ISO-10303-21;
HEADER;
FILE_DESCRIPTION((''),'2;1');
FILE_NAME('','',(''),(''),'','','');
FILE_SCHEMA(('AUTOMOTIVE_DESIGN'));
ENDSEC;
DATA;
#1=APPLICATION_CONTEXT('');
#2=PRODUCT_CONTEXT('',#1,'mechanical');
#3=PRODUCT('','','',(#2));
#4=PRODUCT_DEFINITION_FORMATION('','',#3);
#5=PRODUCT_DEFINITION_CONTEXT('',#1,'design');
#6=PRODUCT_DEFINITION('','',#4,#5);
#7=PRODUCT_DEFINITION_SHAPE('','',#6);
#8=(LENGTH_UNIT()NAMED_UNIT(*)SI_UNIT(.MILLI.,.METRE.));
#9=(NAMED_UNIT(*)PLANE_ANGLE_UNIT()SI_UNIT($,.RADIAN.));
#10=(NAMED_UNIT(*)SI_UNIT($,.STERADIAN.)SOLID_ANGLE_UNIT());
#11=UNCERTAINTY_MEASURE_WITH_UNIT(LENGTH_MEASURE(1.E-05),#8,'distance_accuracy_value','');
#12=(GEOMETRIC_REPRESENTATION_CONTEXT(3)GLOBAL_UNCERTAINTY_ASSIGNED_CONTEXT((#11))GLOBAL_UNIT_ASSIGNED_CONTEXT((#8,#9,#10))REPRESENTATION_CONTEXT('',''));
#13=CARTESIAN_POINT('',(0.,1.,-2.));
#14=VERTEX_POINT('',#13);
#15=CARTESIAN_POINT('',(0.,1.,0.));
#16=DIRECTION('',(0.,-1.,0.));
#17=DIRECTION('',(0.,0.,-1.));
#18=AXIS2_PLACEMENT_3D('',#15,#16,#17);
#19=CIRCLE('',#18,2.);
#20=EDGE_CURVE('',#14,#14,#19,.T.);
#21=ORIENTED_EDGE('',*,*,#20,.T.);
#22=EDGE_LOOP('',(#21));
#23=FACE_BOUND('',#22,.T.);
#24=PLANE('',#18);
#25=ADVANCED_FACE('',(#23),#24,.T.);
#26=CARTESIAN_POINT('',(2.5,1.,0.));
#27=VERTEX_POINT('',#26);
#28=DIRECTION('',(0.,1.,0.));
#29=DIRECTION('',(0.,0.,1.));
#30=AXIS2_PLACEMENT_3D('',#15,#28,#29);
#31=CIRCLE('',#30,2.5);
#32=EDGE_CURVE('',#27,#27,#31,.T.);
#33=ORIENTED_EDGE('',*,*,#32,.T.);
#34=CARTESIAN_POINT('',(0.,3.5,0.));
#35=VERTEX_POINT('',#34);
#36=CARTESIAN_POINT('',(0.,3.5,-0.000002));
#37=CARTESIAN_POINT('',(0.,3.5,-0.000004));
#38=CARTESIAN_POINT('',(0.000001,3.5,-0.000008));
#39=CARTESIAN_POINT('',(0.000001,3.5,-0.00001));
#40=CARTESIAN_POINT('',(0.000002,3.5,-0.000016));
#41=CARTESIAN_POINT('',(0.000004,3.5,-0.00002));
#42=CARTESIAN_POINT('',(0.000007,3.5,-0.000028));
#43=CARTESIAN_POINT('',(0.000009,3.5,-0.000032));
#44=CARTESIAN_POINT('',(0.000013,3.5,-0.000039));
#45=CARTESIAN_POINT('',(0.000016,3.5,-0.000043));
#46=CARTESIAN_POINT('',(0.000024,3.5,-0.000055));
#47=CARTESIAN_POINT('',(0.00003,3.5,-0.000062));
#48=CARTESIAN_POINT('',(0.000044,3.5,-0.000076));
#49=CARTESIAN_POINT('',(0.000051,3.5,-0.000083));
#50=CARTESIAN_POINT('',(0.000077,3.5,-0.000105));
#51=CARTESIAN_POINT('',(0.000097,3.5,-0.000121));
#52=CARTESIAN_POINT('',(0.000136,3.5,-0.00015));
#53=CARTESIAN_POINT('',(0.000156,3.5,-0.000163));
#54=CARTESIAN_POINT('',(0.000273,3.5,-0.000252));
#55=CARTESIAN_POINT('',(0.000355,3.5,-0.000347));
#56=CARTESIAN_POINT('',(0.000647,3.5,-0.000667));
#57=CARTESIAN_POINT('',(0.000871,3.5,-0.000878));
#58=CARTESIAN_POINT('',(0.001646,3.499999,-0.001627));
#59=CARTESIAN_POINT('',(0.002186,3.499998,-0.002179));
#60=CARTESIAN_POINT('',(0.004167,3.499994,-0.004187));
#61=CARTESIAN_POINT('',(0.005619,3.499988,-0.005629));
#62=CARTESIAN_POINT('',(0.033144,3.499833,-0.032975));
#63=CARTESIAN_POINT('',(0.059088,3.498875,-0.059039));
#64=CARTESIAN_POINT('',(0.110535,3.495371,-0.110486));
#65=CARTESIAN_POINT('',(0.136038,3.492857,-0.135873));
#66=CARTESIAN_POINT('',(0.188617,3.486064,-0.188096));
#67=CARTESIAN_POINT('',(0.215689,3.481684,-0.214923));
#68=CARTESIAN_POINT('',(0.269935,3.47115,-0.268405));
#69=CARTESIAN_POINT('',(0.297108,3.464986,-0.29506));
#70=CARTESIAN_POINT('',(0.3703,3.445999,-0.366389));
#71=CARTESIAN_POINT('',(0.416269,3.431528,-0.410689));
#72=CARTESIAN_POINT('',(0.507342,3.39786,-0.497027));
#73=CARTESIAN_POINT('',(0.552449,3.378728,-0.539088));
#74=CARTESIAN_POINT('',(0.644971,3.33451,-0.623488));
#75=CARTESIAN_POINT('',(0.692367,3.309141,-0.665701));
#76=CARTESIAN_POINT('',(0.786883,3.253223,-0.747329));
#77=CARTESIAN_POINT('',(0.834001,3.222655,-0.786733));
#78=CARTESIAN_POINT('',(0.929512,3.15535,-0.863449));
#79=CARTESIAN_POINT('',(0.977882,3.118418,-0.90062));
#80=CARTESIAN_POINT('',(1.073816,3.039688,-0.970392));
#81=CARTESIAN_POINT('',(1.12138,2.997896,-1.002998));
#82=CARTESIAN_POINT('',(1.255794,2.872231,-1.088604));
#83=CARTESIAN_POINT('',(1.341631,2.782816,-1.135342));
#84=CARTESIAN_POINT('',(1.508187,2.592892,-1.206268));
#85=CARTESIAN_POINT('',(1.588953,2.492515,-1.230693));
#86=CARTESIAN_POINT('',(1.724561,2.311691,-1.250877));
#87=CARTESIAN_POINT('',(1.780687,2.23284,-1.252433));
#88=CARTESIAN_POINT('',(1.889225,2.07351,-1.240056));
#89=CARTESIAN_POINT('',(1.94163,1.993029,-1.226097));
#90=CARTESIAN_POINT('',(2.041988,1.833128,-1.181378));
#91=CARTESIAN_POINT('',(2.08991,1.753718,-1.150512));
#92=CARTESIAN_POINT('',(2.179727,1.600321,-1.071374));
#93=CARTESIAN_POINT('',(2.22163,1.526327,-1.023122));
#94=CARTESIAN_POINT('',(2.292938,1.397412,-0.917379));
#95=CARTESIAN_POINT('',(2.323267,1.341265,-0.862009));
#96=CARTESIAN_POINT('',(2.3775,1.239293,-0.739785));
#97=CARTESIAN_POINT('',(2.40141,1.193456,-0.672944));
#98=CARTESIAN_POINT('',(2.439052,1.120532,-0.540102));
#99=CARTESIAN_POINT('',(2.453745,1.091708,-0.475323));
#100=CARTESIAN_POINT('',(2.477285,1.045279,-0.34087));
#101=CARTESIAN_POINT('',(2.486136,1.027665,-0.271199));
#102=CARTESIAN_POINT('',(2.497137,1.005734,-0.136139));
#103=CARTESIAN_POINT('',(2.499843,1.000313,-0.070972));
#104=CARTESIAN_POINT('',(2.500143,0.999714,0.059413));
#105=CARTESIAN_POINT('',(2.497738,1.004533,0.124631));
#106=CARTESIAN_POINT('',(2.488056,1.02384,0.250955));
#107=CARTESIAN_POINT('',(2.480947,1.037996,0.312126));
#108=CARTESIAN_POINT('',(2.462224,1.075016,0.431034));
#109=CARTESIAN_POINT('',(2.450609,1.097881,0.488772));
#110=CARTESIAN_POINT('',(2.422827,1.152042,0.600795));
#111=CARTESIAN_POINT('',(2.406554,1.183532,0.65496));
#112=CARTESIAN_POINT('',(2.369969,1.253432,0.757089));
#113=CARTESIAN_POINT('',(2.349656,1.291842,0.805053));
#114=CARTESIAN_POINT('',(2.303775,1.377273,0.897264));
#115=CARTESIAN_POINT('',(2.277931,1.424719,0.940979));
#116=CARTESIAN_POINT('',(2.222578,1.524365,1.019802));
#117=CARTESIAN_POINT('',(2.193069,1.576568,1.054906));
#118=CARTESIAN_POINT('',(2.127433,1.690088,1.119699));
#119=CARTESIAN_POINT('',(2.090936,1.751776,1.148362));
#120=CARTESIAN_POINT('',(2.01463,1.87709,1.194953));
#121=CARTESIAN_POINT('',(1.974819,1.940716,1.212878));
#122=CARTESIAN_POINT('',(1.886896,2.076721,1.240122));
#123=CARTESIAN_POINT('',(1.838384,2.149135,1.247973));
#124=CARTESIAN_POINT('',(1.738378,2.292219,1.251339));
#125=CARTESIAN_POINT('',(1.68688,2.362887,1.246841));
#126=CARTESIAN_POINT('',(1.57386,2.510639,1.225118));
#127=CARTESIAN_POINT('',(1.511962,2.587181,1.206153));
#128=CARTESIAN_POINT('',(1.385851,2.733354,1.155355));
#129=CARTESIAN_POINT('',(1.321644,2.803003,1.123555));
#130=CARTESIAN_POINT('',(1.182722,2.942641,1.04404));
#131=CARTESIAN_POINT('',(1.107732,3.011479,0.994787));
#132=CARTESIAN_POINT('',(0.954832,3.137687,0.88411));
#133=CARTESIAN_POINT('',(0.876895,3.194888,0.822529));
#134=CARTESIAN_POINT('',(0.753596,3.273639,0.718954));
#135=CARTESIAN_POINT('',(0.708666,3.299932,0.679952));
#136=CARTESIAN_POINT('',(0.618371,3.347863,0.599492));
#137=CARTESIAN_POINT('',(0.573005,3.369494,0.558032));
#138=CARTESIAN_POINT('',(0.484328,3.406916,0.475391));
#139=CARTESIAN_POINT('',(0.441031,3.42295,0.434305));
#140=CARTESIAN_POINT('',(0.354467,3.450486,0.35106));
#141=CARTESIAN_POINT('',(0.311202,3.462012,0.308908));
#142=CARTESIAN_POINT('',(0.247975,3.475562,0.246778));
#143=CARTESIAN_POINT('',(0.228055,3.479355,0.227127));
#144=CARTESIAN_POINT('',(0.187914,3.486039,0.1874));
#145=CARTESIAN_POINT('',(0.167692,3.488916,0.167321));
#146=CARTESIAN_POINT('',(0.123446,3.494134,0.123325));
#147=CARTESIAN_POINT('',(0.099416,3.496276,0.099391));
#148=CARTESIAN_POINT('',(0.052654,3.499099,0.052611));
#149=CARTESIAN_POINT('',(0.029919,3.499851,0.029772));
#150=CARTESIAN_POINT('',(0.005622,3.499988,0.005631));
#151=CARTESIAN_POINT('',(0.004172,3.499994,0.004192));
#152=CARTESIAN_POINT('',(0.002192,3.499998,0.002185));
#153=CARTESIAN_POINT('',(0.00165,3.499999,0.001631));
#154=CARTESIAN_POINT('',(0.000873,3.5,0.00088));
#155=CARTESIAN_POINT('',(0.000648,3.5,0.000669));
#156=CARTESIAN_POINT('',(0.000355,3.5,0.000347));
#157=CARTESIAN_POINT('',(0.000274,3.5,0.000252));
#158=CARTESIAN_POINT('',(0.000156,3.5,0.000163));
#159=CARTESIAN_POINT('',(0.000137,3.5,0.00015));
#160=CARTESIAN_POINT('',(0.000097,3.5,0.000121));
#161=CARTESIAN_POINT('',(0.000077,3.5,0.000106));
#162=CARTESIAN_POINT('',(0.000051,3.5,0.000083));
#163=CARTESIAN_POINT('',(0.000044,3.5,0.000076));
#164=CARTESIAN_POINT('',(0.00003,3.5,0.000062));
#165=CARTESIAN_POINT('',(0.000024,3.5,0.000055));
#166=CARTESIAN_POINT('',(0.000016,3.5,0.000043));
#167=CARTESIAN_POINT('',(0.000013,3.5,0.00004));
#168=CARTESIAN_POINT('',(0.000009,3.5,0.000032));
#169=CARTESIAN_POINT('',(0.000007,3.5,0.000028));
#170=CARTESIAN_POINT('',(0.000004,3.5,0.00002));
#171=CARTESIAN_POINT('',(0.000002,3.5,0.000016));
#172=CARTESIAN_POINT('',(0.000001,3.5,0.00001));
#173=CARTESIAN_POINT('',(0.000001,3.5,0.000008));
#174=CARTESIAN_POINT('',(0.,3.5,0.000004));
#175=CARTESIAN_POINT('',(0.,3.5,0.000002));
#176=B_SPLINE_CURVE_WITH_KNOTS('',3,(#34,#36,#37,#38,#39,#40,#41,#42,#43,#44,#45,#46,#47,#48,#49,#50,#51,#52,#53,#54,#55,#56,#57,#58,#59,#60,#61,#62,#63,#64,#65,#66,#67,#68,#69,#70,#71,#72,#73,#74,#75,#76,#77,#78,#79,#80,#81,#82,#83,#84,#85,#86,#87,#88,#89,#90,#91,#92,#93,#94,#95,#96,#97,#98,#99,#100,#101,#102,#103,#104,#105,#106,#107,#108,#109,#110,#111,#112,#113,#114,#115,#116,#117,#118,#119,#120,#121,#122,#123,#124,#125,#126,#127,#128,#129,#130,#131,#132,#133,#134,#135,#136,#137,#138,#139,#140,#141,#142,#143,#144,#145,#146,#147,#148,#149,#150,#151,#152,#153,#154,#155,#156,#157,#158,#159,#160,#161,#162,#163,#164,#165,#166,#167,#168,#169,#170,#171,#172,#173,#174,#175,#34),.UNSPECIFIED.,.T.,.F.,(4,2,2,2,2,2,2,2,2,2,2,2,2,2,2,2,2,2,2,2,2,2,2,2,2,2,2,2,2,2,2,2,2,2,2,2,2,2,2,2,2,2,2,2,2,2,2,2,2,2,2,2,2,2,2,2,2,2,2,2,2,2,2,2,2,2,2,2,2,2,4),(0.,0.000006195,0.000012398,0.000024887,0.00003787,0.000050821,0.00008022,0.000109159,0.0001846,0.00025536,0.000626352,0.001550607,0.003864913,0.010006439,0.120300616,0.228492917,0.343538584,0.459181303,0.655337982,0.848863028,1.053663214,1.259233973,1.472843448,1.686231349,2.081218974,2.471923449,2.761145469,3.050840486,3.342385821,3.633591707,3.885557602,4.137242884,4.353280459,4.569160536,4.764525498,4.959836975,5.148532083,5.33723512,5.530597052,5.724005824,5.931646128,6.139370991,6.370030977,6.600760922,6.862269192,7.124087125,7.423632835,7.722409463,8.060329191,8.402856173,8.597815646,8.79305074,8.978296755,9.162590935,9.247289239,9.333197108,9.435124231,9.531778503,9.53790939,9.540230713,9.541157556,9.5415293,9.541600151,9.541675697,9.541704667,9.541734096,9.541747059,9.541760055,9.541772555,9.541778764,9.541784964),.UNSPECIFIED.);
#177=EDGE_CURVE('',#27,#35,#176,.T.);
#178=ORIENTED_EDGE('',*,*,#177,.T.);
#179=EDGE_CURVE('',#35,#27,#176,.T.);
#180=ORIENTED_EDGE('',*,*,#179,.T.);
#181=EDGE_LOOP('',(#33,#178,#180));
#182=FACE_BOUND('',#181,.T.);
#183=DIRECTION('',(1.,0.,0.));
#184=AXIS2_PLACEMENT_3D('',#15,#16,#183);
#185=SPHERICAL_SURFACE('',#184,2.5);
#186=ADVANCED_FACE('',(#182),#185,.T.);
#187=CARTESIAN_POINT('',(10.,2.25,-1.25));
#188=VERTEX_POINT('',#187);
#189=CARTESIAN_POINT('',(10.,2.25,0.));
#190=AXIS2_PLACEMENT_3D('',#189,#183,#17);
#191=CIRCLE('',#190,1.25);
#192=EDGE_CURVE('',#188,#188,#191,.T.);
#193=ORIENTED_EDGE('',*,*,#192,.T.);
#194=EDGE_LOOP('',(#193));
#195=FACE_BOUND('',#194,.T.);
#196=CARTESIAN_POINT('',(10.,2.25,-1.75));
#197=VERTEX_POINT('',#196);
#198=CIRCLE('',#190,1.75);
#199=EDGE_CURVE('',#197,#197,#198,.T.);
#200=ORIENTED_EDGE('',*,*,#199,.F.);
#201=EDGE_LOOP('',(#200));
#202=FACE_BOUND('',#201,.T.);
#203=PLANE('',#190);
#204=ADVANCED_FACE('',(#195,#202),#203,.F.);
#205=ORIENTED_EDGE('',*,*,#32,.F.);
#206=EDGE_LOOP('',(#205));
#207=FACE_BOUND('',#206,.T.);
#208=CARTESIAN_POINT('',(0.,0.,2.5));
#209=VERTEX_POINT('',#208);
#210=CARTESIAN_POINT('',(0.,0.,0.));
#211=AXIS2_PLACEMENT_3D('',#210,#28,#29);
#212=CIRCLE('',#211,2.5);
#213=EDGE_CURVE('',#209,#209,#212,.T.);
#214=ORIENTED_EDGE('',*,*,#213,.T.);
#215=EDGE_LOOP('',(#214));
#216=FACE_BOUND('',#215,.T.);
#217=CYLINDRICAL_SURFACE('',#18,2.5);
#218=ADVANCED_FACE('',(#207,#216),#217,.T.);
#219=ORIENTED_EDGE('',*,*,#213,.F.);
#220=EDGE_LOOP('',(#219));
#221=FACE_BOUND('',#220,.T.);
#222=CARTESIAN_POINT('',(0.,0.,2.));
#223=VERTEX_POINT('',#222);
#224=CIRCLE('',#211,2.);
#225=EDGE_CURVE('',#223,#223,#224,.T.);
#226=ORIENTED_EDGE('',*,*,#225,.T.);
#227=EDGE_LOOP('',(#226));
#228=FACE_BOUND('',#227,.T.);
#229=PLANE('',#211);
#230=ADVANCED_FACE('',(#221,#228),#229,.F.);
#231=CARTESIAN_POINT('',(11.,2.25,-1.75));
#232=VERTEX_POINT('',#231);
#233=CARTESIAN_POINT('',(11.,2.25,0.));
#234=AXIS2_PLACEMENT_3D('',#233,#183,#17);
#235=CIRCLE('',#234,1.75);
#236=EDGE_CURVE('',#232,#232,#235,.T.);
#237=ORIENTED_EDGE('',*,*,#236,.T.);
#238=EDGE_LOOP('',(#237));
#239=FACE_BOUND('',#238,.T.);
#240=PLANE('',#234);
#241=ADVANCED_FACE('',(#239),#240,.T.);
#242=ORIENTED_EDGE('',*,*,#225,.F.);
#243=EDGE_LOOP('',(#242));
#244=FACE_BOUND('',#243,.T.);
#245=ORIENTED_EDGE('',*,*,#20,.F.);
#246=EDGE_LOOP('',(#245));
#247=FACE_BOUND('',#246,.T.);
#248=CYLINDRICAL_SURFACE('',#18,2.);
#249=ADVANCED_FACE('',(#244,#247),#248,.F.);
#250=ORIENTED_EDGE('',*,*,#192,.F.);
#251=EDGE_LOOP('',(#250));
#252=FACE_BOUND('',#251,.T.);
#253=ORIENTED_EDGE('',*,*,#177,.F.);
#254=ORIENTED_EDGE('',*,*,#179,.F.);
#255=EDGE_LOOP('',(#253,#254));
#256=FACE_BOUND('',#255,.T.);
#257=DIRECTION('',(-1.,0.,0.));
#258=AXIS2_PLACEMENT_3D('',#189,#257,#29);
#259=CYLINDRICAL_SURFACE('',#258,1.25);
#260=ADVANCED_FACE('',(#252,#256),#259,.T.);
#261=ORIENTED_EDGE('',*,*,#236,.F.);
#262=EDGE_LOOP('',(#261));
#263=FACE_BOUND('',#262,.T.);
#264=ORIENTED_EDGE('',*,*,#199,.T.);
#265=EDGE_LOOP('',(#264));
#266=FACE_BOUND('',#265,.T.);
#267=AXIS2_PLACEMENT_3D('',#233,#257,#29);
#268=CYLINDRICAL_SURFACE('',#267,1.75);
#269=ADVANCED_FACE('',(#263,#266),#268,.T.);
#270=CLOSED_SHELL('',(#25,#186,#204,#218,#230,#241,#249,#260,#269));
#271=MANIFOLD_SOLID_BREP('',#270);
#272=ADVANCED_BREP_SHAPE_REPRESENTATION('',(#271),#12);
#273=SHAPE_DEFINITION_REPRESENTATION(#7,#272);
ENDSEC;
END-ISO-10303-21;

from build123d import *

# Parameters (mm, degrees)
SKETCH_1_R      = 2.5
SKETCH_1_R_2    = 2
EXTRUDE_1_DEPTH = 1
SKETCH_3_R      = 1.25
EXTRUDE_2_DEPTH = 10
SKETCH_4_R      = 1.75
EXTRUDE_3_DEPTH = 1


with BuildPart() as part:
    # 草图1 → 凸台-拉伸1 (new body)
    with BuildSketch(Plane(origin=(0, 0, 0), x_dir=(1, 0, 0), z_dir=(0, 1, 0))):
        Circle(SKETCH_1_R)
        Circle(SKETCH_1_R_2, mode=Mode.SUBTRACT)
    extrude(amount=EXTRUDE_1_DEPTH)

    # 草图2 → 旋转1 (revolve)
    with BuildSketch(Plane.XY):
        with BuildLine():
            Line((0, 3.5), (0, 1))
            Line((0, 1), (2.5, 1))
            ThreePointArc((2.5, 1), (1.767766953, 2.767766953), (0, 3.5))
        make_face()
    revolve(axis=Axis((0, 1, 0), (0, 1, 0)))

    # 草图3 → 凸台-拉伸2 (add)
    with BuildSketch(Plane(origin=(0, 0, 0), x_dir=(0, 0, -1), z_dir=(1, 0, 0))):
        with Locations((0, 2.25)):
            Circle(SKETCH_3_R)
    extrude(amount=EXTRUDE_2_DEPTH)

    # 草图4 → 凸台-拉伸3 (add)
    with BuildSketch(Plane(origin=(10, 0, 0), x_dir=(0, 0, -1), z_dir=(1, 0, 0))):
        with Locations((0, 2.25)):
            Circle(SKETCH_4_R)
    extrude(amount=EXTRUDE_3_DEPTH)


solid = part.part
